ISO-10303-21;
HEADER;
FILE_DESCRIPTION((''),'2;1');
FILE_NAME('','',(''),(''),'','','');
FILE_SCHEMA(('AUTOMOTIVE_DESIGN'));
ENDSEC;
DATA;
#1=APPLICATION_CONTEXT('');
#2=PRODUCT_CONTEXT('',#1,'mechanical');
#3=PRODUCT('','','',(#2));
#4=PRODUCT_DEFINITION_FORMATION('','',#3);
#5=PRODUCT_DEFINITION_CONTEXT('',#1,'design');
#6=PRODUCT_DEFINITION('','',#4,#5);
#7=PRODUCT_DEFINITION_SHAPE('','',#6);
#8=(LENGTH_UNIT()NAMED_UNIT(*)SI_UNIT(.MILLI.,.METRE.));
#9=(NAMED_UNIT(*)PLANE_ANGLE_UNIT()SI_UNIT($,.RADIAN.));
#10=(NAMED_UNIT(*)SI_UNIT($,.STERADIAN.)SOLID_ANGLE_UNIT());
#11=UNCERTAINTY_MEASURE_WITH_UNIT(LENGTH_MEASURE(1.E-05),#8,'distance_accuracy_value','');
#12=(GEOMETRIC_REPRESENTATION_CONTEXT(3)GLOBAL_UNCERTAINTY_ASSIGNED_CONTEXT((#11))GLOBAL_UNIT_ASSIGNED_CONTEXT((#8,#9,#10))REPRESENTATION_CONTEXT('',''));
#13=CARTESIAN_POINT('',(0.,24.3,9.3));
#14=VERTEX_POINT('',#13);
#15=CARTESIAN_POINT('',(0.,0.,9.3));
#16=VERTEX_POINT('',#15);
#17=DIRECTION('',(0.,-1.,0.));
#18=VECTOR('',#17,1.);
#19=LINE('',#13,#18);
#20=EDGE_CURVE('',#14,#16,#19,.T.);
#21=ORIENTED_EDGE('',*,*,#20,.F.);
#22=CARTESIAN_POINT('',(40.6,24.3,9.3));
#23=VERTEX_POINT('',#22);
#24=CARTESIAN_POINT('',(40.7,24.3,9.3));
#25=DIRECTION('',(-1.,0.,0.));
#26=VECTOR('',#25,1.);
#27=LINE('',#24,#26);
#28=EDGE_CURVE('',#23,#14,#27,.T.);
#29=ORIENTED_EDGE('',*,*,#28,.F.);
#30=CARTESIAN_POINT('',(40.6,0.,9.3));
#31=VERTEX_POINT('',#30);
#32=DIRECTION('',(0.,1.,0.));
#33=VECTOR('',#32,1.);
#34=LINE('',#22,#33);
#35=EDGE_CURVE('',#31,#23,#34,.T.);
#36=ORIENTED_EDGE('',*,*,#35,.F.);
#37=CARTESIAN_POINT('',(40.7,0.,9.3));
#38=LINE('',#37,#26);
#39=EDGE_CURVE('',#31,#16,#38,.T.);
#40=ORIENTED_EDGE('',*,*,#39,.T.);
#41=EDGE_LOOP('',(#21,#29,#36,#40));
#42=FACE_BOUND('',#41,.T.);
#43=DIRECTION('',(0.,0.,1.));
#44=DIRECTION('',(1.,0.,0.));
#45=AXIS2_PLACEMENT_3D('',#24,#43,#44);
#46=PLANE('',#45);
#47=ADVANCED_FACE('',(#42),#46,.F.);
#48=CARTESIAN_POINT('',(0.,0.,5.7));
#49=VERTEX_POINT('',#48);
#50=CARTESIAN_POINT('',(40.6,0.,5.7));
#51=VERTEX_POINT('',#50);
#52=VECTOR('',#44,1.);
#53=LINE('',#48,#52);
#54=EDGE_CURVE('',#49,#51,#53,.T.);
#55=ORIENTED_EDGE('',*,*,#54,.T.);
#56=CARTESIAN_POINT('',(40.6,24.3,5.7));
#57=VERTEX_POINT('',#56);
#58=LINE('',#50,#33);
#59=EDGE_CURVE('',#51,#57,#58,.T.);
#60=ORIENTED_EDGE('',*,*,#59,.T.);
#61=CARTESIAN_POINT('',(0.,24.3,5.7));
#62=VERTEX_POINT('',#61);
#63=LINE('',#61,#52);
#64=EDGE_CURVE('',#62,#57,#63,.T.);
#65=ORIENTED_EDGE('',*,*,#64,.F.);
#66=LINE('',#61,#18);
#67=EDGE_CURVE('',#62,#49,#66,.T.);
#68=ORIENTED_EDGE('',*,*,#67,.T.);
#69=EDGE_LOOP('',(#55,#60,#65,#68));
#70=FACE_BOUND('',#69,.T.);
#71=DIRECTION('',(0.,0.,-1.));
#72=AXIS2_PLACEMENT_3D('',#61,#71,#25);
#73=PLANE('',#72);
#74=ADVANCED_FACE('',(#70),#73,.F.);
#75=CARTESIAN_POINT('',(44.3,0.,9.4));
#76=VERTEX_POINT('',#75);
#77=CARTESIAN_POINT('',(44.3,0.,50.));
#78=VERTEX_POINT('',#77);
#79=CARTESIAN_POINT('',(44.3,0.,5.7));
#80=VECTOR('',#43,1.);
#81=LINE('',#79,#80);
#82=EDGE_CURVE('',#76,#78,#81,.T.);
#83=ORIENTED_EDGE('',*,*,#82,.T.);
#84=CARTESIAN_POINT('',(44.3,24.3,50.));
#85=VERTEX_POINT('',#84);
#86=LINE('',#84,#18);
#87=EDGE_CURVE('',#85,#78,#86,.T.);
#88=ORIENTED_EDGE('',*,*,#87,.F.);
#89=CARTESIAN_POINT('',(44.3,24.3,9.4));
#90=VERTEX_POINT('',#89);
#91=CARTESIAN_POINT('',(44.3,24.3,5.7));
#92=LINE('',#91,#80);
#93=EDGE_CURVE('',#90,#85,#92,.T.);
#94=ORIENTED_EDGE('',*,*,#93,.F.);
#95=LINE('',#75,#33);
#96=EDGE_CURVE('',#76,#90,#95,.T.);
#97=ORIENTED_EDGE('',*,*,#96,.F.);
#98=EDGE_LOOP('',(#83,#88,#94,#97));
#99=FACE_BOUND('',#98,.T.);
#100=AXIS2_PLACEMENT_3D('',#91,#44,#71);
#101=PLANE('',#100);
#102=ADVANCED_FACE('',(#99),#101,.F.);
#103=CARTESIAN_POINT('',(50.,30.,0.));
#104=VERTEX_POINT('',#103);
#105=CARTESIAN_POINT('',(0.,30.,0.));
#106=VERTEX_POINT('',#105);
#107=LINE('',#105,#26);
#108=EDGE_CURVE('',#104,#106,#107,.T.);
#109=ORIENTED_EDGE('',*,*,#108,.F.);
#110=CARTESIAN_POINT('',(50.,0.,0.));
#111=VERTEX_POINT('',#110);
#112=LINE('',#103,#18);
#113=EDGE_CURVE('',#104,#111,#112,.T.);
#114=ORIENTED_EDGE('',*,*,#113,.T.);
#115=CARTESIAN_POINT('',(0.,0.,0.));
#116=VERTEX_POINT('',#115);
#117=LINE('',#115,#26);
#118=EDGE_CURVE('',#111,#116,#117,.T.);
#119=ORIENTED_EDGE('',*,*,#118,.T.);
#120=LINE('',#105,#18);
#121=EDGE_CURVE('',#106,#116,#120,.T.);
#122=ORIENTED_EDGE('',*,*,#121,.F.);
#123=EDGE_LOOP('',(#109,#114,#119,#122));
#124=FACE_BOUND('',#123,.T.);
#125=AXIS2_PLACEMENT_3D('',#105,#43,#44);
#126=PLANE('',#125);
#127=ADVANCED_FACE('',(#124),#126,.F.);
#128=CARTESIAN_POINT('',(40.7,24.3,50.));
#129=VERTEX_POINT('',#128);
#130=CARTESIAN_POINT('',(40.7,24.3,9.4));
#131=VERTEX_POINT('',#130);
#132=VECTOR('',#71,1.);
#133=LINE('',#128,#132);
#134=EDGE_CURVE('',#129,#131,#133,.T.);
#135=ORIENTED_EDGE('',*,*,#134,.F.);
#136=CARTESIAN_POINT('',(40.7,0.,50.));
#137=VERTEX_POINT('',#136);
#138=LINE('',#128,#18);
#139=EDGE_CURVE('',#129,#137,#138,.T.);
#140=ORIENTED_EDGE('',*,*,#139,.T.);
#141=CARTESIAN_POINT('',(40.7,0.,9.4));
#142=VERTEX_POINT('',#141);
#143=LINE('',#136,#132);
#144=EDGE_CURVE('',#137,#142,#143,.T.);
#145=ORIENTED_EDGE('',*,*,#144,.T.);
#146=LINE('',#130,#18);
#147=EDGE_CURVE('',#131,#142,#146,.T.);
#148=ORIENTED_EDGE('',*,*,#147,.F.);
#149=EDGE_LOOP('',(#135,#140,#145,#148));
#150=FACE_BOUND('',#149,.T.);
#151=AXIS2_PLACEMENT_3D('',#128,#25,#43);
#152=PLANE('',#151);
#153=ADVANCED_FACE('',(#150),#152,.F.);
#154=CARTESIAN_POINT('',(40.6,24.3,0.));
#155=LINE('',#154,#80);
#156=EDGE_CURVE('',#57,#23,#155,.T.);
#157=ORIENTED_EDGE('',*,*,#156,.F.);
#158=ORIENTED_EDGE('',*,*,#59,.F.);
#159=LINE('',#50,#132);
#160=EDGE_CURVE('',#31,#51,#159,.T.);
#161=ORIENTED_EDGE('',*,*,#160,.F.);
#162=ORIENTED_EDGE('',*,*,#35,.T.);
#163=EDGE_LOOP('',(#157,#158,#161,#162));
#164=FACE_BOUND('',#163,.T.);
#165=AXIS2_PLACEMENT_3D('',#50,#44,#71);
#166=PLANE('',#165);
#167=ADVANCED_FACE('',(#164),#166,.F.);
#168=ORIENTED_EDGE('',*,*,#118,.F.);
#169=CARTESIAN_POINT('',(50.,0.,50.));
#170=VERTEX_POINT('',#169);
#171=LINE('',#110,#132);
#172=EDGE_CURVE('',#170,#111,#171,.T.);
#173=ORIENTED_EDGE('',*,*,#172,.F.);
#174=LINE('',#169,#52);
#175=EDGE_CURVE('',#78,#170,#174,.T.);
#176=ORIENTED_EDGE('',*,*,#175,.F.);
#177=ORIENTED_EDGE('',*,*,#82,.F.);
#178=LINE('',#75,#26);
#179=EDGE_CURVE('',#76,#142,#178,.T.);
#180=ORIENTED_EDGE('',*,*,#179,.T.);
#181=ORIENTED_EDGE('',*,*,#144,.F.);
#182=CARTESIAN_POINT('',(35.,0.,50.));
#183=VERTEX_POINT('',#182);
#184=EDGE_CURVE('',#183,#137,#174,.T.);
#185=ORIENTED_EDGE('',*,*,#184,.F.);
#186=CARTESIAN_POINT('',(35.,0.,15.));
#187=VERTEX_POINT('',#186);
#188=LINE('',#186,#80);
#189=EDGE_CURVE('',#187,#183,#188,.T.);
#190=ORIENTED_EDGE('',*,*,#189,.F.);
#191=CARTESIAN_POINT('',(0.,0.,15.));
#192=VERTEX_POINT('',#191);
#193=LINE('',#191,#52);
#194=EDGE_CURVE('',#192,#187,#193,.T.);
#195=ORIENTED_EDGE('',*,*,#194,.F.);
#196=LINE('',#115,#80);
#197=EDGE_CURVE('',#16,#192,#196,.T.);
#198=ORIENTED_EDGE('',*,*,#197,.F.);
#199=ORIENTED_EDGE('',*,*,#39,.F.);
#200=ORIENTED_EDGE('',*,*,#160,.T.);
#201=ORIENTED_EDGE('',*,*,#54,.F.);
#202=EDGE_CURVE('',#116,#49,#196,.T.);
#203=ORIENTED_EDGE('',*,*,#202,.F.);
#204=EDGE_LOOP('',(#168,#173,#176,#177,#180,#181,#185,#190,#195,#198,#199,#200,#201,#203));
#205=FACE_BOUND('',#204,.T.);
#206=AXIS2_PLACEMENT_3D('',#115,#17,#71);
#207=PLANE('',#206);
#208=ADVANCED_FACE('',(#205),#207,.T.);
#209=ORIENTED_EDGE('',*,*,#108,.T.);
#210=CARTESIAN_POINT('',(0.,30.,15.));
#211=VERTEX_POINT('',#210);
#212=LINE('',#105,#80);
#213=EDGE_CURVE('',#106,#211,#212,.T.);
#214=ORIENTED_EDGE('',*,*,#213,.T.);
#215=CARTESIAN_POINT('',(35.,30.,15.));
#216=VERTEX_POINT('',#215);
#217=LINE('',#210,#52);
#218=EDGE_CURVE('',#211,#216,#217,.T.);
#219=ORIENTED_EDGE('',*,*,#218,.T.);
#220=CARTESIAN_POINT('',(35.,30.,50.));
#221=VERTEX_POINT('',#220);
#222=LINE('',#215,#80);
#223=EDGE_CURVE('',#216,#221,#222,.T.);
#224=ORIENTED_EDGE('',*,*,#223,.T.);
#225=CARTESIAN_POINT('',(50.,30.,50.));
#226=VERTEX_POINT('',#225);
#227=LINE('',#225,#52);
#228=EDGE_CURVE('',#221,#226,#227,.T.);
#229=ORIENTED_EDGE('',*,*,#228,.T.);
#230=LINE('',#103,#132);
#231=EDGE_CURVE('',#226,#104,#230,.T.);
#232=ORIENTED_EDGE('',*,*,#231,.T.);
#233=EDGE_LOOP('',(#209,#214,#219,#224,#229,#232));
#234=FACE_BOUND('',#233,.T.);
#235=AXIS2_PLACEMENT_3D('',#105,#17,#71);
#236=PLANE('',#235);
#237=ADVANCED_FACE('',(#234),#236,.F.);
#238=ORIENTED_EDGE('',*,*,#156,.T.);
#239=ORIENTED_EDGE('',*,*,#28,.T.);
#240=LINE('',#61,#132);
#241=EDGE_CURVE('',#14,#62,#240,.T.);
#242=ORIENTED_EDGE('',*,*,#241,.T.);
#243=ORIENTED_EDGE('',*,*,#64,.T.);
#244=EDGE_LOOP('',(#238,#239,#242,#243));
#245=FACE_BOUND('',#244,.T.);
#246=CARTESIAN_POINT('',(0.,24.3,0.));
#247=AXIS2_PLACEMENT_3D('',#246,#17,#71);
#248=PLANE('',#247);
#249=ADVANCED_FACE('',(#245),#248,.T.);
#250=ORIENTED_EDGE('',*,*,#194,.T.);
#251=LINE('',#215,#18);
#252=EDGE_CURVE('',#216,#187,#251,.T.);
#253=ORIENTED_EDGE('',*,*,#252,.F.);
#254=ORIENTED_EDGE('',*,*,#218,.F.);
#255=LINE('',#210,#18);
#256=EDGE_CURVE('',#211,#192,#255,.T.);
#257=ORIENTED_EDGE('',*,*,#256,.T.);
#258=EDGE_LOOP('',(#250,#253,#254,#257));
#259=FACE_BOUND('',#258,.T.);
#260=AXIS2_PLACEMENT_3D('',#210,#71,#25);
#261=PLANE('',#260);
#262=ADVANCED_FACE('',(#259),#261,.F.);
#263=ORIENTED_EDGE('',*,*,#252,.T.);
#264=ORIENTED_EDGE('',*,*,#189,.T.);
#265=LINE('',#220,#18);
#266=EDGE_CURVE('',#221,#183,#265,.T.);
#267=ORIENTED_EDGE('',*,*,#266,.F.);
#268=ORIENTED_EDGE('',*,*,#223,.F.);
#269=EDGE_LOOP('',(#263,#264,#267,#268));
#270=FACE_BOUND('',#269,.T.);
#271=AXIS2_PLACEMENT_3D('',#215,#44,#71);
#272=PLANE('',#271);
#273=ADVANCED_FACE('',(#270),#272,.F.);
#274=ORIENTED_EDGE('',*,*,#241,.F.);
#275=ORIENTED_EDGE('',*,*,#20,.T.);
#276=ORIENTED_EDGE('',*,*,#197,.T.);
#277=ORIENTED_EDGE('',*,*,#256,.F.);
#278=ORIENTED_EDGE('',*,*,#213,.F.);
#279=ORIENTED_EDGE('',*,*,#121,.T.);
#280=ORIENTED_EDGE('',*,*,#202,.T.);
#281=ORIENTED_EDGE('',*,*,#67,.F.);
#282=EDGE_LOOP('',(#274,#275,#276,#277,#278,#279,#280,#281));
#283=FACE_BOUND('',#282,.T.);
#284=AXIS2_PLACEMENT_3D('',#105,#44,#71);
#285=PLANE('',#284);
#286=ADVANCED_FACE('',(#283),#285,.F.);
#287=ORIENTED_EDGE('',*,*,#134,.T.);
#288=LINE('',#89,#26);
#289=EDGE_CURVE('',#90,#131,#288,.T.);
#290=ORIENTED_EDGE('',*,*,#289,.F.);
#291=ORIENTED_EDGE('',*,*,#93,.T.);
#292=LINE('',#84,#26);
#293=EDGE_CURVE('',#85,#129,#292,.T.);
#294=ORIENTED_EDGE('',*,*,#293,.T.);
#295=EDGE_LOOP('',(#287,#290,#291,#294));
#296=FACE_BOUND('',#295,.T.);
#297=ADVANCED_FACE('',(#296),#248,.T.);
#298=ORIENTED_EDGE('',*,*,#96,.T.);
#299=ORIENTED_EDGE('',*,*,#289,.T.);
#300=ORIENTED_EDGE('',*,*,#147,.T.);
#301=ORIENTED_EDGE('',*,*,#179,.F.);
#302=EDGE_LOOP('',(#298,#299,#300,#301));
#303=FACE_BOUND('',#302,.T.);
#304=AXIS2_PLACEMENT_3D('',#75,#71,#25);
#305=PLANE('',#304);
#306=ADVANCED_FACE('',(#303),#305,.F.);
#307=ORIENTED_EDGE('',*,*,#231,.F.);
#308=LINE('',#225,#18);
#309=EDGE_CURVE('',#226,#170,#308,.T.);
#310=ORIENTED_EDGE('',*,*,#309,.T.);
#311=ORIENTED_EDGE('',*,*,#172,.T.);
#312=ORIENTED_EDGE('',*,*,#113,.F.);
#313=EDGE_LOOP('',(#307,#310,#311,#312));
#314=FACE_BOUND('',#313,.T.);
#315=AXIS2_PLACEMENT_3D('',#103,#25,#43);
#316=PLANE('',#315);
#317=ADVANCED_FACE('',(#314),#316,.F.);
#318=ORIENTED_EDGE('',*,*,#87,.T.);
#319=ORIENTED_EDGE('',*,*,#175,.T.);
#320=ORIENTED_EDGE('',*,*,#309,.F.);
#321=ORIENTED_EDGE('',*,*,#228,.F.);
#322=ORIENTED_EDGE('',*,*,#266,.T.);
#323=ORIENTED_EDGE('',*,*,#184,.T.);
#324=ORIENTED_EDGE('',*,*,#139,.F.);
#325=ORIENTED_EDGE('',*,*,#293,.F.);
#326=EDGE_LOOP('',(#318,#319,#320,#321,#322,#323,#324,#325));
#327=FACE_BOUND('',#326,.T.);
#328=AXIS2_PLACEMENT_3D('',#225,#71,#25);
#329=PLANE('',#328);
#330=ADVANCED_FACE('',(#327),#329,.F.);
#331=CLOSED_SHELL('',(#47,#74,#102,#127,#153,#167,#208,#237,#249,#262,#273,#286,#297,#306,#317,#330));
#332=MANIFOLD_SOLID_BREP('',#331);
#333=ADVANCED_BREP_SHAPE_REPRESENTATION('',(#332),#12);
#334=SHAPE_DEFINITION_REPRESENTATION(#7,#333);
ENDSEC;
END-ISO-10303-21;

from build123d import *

# Parameters (mm, degrees)
BOSS_EXTRU_1_DEPTH      = 30
ENL_V_MAT_EXTRU_1_DEPTH = 24.3
ESQUISSE5_W             = 3.7
ESQUISSE5_H             = 3.7
BOSS_EXTRU_5_DEPTH      = 24.3


with BuildPart() as part:
    # Esquisse1 → Boss.-Extru.1 (new body)
    with BuildSketch(Plane(origin=(0, 0, 0), x_dir=(1, 0, 0), z_dir=(0, 1, 0))):
        Polygon((0, 0), (0, -15), (35, -15), (35, -50), (50, -50), (50, 0), align=None)
    extrude(amount=BOSS_EXTRU_1_DEPTH)

    # Esquisse2 → Enlèv. mat.-Extru.1 (cut)
    with BuildSketch(Plane.XZ):
        Polygon((40.7, 50), (40.7, 9.3), (0, 9.3), (0, 5.7), (44.3, 5.7), (44.3, 50), align=None)
    extrude(amount=-ENL_V_MAT_EXTRU_1_DEPTH, mode=Mode.SUBTRACT)

    # Esquisse5 → Boss.-Extru.5 (add)
    with BuildSketch(Plane.XZ.offset(-24.3)):
        with Locations((42.45, 7.55)):
            Rectangle(ESQUISSE5_W, ESQUISSE5_H)
    extrude(amount=BOSS_EXTRU_5_DEPTH)


solid = part.part
